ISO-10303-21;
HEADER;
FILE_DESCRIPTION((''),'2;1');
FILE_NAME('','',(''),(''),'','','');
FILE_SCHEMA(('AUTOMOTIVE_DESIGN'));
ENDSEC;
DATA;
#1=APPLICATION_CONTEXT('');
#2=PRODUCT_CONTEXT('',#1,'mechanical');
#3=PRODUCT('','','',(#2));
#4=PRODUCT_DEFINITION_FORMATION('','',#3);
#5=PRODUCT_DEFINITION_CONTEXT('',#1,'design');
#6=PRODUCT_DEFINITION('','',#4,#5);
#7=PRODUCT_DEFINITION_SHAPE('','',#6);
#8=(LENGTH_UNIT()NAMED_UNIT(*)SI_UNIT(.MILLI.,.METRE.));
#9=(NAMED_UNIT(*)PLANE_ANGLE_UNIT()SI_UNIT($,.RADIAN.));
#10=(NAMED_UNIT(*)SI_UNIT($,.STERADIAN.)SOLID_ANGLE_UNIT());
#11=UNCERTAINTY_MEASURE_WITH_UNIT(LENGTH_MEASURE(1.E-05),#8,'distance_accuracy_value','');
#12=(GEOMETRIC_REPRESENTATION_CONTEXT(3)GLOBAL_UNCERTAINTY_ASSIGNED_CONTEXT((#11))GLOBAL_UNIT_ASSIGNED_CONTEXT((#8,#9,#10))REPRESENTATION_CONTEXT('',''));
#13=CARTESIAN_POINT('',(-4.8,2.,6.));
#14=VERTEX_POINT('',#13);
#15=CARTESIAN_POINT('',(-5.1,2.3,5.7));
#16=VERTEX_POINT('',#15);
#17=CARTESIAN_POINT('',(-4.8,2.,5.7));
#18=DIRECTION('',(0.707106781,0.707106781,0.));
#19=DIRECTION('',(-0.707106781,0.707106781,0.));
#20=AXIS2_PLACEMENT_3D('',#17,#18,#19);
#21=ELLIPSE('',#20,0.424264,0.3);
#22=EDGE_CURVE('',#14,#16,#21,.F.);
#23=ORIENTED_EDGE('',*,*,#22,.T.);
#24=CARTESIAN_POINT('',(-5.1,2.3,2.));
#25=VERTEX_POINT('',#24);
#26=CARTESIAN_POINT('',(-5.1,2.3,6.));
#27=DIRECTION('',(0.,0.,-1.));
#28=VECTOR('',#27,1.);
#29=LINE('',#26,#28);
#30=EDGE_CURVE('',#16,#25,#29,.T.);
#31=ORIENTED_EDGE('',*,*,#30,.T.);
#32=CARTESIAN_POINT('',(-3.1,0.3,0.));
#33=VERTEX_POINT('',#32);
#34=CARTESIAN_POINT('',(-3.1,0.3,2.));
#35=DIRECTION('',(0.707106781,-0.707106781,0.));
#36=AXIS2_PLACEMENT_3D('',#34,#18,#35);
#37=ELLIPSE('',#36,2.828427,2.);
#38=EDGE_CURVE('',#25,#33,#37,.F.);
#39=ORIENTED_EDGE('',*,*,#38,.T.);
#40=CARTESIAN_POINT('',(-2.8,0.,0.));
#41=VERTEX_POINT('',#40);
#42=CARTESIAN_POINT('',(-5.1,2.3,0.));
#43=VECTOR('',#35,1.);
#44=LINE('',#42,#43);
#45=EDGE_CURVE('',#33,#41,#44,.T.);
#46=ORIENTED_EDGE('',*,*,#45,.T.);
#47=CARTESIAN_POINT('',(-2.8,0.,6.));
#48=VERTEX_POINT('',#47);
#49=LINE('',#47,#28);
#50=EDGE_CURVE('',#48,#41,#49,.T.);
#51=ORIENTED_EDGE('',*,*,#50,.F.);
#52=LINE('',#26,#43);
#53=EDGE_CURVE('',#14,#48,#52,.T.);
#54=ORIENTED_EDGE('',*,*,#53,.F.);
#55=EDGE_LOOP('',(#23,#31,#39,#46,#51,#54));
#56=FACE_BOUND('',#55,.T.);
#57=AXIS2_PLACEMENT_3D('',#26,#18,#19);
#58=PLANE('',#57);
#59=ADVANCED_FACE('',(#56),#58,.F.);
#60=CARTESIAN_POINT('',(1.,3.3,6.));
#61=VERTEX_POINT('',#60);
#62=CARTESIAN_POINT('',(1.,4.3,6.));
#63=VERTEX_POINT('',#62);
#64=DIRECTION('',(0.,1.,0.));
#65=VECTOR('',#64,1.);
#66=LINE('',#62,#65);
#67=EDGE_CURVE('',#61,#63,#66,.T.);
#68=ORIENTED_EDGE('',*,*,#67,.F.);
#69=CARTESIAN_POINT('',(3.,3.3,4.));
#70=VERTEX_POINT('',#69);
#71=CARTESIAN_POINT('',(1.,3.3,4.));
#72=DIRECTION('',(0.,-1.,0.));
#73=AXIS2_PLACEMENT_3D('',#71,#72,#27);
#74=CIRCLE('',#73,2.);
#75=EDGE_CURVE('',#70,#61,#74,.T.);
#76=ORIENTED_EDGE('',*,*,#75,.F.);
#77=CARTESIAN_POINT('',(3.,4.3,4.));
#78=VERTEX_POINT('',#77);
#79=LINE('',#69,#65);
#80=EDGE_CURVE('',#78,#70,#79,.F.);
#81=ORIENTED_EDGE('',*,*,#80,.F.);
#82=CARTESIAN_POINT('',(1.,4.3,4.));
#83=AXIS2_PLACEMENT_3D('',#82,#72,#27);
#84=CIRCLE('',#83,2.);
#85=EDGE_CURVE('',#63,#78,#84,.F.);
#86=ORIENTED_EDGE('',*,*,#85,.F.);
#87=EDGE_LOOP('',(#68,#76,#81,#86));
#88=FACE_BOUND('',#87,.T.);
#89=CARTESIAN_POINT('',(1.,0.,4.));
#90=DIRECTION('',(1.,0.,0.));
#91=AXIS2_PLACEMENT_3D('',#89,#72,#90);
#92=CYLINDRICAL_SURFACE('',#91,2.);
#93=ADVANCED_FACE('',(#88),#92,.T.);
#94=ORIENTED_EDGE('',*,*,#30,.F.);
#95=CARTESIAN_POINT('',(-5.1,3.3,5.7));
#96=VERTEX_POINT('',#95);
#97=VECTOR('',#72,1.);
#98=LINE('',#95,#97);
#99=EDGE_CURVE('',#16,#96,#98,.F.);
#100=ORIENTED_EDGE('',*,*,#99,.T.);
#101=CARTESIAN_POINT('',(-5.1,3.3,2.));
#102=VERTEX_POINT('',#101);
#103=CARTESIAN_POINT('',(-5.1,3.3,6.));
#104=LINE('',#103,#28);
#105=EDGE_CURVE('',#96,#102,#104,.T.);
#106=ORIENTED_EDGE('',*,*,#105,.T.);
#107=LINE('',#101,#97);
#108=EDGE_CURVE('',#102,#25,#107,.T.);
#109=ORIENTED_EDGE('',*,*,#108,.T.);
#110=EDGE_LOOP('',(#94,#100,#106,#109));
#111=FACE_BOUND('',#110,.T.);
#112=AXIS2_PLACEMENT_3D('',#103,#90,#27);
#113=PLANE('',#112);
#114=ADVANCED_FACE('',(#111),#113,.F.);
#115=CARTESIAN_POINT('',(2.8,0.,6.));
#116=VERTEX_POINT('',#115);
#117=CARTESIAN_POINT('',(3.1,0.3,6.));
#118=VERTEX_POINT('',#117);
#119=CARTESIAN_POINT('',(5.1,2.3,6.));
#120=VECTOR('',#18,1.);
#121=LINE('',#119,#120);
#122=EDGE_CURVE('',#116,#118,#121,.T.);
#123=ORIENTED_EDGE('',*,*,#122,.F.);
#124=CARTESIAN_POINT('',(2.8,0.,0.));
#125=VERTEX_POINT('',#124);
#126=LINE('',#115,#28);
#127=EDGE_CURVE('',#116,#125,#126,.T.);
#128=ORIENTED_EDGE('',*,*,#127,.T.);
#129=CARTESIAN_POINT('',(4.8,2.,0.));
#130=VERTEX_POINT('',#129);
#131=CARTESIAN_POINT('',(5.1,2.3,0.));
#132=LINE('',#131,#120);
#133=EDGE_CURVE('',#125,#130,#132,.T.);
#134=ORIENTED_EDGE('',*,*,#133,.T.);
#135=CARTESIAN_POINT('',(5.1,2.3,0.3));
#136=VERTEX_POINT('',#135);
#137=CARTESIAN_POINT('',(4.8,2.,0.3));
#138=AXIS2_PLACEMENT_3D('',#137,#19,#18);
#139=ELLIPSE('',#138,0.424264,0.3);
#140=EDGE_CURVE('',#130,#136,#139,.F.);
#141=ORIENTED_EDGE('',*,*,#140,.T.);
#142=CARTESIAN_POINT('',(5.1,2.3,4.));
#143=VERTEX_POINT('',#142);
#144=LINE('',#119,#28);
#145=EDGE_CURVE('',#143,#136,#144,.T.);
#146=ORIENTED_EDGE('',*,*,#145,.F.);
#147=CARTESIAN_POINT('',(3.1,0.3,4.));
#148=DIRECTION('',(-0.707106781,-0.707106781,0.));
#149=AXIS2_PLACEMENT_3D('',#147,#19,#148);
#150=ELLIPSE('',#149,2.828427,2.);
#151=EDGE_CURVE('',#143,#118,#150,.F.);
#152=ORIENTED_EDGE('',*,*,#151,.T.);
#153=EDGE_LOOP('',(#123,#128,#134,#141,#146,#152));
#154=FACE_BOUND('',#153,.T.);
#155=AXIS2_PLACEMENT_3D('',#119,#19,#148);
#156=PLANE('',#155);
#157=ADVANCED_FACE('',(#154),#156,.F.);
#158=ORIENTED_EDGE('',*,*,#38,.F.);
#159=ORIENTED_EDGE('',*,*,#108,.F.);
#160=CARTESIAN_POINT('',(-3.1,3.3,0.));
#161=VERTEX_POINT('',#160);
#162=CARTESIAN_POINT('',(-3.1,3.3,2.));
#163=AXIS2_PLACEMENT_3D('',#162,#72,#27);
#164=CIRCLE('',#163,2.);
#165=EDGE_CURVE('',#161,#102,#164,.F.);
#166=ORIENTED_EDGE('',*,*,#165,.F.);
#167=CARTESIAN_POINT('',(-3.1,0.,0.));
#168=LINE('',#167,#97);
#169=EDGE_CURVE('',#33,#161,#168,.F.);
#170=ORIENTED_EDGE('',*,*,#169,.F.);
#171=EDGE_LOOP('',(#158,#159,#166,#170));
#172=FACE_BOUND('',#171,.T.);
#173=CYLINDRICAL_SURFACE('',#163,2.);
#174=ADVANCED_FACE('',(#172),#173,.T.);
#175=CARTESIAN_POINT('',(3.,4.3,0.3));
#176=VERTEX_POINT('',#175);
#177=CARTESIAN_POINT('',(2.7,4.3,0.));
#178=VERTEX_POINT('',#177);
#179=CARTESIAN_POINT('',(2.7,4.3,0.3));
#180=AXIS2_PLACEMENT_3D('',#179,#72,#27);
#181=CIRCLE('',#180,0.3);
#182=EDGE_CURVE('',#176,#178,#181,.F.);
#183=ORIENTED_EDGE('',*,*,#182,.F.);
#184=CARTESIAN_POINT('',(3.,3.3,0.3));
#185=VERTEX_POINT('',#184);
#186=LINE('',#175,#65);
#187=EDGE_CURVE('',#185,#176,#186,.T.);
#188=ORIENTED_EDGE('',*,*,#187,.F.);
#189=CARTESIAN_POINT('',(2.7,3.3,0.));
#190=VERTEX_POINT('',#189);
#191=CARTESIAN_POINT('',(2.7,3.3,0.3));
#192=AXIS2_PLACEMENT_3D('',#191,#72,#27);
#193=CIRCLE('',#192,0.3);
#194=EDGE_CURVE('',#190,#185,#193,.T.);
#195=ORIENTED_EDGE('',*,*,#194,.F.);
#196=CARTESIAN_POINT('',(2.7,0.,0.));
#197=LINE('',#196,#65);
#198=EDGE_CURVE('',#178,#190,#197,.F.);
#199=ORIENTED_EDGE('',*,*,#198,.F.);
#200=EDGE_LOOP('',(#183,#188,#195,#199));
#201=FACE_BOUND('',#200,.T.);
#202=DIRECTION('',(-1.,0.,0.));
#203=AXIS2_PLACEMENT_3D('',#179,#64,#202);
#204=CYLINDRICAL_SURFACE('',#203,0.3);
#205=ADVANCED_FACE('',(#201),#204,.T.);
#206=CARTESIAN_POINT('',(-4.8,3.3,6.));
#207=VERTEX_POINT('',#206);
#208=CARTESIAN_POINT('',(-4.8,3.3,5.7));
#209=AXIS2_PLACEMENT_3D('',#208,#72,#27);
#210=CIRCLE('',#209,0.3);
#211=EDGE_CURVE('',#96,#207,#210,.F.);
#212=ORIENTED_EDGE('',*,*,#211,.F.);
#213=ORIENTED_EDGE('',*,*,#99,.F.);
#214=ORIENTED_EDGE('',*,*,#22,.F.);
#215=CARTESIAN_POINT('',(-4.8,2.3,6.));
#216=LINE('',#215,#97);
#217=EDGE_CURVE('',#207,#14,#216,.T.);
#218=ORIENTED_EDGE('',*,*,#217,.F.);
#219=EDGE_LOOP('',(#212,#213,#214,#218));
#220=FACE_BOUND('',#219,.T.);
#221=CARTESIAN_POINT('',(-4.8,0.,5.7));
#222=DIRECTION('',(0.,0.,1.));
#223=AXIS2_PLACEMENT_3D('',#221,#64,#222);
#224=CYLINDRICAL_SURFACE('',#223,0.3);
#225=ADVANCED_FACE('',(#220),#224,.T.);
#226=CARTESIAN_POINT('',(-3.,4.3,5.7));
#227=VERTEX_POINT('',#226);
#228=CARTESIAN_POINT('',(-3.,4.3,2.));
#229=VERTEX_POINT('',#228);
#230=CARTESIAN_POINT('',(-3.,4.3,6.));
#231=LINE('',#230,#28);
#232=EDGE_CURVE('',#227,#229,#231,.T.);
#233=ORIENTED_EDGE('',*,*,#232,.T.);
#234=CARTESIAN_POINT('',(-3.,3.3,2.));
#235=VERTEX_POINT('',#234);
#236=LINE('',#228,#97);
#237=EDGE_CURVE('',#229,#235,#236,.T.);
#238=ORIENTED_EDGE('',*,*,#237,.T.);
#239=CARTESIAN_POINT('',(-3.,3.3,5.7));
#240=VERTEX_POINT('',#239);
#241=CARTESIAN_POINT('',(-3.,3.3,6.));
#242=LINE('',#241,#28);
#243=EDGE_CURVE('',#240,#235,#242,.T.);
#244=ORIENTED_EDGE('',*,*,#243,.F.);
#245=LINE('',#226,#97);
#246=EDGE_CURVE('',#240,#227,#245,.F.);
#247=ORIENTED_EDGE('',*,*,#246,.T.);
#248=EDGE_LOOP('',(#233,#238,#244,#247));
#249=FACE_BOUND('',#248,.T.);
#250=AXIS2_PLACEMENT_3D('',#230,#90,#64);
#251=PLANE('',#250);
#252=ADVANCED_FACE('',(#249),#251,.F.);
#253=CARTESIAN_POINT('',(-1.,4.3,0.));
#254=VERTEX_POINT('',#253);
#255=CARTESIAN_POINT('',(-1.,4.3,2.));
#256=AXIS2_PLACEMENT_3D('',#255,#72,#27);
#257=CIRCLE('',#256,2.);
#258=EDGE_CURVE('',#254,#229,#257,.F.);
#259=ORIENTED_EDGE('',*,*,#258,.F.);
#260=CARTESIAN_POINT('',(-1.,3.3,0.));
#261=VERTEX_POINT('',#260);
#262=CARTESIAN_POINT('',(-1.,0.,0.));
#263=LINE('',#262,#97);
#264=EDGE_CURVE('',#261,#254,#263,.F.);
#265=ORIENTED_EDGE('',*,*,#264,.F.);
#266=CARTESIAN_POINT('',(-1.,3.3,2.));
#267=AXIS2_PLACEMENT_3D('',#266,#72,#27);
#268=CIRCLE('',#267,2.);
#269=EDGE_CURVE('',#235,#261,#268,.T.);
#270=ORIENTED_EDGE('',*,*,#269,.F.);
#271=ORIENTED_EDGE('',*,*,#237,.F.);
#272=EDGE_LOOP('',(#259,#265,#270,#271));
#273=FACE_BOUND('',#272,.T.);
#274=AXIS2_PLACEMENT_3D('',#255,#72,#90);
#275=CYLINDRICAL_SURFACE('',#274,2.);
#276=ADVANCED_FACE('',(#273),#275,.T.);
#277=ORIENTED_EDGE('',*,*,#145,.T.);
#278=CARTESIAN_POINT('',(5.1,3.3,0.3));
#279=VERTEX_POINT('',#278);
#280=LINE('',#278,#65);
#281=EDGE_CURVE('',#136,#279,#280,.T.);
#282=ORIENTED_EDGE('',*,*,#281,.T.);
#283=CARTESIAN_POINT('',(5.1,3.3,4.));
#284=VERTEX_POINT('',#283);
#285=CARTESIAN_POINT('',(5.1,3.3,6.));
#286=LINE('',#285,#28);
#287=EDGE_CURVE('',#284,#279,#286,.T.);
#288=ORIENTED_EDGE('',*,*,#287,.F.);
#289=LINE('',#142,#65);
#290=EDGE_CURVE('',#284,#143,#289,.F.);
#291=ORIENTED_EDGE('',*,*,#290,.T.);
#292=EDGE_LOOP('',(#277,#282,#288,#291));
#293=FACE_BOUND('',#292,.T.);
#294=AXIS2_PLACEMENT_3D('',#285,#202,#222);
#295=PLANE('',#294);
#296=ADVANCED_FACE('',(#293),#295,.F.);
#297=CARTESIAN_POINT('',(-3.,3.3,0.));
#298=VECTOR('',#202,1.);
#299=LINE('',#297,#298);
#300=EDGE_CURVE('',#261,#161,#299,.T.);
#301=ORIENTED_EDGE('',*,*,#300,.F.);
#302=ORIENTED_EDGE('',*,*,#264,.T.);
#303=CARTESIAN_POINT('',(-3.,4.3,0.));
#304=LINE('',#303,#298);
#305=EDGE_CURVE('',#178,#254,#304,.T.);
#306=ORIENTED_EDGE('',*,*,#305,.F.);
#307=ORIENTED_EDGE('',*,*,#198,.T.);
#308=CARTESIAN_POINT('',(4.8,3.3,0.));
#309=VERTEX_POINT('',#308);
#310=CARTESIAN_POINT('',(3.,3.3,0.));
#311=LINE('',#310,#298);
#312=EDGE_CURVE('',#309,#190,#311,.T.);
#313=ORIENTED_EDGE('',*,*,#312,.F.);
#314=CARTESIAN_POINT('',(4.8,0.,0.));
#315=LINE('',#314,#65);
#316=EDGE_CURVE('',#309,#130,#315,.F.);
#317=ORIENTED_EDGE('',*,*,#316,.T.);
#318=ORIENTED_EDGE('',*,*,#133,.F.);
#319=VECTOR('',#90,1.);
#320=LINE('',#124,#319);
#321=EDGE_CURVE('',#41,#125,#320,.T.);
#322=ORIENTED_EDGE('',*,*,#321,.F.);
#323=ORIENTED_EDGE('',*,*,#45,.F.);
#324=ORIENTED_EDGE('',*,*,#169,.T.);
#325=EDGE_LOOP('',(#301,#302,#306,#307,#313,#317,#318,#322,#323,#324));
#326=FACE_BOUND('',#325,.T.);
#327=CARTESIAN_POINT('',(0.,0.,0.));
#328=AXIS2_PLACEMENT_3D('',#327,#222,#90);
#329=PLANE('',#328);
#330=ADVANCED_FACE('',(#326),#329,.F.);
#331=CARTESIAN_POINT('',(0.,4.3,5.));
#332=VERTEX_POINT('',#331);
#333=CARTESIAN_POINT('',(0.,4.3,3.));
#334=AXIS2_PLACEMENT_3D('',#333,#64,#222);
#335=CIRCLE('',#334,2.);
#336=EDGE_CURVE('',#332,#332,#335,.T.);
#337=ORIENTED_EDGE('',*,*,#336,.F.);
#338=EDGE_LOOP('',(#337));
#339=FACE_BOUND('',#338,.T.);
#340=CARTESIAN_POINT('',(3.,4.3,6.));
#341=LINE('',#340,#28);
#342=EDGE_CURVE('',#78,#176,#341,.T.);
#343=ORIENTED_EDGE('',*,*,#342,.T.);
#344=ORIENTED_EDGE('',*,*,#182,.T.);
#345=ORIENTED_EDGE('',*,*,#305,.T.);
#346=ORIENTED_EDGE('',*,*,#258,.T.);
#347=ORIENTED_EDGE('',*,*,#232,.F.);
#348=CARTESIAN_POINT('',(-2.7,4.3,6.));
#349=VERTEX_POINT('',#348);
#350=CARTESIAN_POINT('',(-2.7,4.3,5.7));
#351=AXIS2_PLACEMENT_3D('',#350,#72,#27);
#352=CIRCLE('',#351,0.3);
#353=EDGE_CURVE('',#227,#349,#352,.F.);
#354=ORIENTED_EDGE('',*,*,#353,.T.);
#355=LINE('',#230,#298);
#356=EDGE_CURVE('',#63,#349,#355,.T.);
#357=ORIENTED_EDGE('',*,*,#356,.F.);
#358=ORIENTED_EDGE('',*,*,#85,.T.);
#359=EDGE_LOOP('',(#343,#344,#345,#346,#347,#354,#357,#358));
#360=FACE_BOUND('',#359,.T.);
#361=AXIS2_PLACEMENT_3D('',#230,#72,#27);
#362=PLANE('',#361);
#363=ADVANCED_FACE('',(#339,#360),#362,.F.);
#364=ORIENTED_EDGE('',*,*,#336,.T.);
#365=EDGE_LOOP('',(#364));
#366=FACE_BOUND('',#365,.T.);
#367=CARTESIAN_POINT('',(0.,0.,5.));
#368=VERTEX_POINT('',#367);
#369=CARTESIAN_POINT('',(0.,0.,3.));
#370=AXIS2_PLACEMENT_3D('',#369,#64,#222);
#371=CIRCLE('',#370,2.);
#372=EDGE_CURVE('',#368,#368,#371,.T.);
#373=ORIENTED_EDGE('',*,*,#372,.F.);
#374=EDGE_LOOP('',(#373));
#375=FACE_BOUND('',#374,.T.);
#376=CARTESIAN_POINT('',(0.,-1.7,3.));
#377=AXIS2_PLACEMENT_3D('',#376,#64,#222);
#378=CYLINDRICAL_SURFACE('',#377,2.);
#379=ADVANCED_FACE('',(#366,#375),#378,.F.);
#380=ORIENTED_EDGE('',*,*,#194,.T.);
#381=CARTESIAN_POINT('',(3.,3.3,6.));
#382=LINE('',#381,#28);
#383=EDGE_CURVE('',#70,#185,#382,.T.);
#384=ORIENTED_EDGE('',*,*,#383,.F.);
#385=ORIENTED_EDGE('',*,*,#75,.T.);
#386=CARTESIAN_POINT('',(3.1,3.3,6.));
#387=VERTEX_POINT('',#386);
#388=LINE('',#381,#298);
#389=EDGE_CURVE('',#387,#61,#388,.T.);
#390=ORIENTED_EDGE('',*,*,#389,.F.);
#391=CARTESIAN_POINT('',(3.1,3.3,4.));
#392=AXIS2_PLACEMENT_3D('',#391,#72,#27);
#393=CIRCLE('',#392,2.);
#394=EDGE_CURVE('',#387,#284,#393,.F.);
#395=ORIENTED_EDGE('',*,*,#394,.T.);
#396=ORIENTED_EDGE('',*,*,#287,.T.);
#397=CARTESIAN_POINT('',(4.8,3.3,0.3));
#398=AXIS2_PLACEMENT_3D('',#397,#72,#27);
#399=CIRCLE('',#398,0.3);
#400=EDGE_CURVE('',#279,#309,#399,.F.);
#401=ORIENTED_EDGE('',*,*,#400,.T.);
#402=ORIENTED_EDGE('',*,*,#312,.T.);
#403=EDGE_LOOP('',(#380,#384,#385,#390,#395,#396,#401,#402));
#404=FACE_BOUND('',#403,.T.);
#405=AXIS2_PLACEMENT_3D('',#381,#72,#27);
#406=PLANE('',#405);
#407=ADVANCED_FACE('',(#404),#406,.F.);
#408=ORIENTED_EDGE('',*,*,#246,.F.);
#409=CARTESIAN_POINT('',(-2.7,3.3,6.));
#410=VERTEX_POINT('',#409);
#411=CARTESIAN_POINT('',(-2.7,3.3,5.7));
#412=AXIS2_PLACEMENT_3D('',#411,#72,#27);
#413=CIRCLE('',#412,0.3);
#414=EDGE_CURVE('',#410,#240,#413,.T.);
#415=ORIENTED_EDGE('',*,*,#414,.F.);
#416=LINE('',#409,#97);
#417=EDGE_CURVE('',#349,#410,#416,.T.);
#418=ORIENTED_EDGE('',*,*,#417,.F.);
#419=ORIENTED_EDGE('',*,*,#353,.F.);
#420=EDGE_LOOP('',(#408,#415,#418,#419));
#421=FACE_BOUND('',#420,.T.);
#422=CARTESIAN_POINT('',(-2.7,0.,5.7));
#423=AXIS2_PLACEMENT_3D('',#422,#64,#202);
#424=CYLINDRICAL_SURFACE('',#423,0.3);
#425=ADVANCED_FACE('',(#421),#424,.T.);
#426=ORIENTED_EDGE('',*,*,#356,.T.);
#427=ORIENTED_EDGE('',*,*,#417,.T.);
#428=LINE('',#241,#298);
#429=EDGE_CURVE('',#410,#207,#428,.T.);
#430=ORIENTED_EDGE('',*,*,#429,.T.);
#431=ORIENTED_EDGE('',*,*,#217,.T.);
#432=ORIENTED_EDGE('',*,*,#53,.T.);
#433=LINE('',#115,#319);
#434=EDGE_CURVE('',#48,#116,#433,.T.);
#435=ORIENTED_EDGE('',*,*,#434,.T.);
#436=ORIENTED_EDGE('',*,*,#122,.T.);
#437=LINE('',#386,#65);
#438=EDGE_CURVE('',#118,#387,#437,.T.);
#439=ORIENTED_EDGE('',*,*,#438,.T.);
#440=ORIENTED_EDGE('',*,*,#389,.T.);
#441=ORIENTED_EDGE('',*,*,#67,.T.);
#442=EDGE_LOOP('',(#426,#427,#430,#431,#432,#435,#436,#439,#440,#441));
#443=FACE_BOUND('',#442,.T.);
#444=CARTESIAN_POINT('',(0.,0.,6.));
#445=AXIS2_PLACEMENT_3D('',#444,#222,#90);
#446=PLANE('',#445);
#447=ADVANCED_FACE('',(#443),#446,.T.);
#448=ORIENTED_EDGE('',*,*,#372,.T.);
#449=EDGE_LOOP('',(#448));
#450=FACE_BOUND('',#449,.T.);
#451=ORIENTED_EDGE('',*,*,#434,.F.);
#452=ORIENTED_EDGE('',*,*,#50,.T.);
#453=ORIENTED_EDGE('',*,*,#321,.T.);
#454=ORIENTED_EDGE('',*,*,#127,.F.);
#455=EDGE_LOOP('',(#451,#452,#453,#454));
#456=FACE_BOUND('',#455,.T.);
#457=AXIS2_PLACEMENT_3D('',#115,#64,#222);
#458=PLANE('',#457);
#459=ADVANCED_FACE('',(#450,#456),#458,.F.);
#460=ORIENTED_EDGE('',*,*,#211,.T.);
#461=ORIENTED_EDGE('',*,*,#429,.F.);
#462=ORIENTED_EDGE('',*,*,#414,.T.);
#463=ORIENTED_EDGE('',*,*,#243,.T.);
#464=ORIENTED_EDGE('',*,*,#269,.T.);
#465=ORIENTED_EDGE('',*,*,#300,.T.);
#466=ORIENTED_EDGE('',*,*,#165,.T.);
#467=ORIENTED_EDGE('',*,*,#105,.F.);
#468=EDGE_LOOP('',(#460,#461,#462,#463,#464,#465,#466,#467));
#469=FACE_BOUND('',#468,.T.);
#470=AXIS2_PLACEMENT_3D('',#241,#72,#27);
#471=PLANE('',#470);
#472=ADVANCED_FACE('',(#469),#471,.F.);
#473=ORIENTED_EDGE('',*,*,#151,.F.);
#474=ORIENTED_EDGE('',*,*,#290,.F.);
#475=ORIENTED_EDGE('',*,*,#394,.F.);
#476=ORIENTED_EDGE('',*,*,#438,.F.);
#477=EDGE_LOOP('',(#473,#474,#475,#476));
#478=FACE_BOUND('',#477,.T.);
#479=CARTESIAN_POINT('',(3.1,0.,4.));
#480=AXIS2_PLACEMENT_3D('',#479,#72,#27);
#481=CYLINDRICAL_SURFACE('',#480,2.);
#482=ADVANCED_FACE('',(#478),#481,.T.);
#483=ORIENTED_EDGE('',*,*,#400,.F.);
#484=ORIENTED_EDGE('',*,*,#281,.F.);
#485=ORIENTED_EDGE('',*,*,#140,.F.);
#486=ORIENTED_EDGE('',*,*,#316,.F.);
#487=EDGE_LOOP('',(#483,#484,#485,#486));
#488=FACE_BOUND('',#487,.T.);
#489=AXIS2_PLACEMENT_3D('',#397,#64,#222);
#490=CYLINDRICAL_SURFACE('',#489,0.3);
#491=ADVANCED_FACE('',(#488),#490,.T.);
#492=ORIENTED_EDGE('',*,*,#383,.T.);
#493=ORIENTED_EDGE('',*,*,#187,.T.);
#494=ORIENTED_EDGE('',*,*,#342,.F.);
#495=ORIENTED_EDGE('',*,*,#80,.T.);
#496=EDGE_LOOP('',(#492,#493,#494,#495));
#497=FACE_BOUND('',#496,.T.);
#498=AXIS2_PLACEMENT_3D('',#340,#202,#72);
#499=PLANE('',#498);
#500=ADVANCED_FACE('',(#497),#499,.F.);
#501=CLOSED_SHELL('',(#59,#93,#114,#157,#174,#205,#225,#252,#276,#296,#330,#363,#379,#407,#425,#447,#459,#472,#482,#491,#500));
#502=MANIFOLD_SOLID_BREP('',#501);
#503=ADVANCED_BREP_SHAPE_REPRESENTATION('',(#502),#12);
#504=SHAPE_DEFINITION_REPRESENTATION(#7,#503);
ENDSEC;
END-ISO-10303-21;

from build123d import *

# Parameters (mm, degrees)
EXTRUDE_1_DEPTH     = 6
FILLET_1_R          = 2
FILLET_2_R          = 2
FILLET_3_R          = 0.3
SKETCH_2_R          = 2
CUT_EXTRUDE_1_DEPTH = 6


with BuildPart() as part:
    # 草图1 → 凸台-拉伸1 (new body)
    with BuildSketch(Plane.XY):
        Polygon((-3, 4.3), (3, 4.3), (3, 3.3), (5.1, 3.3), (5.1, 2.3), (2.8, 0), (-2.8, 0), (-5.1, 2.3), (-5.1, 3.3), (-3, 3.3), align=None)
    extrude(amount=EXTRUDE_1_DEPTH)

    # 圆角1
    fillet_1_edges = [part.edges().sort_by_distance(p)[0] for p in [
        (-3, 3.8, 0),
        (3, 3.8, 6),
    ]]
    fillet(fillet_1_edges, radius=FILLET_1_R)

    # 圆角2
    fillet_2_edges = [part.edges().sort_by_distance(p)[0] for p in [
        (-5.1, 2.8, 0),
        (5.1, 2.8, 6),
    ]]
    fillet(fillet_2_edges, radius=FILLET_2_R)

    # 圆角3
    fillet_3_edges = [part.edges().sort_by_distance(p)[0] for p in [
        (-3, 3.8, 6),
        (3, 3.8, 0),
        (-5.1, 2.8, 6),
        (5.1, 2.8, 0),
    ]]
    fillet(fillet_3_edges, radius=FILLET_3_R)

    # 草图2 → 切除-拉伸1 (cut)
    with BuildSketch(Plane(origin=(0, 4.3, 0), x_dir=(1, 0, 0), z_dir=(0, 1, 0))):
        with Locations((0, -3)):
            Circle(SKETCH_2_R)
    extrude(amount=-CUT_EXTRUDE_1_DEPTH, mode=Mode.SUBTRACT)


solid = part.part
